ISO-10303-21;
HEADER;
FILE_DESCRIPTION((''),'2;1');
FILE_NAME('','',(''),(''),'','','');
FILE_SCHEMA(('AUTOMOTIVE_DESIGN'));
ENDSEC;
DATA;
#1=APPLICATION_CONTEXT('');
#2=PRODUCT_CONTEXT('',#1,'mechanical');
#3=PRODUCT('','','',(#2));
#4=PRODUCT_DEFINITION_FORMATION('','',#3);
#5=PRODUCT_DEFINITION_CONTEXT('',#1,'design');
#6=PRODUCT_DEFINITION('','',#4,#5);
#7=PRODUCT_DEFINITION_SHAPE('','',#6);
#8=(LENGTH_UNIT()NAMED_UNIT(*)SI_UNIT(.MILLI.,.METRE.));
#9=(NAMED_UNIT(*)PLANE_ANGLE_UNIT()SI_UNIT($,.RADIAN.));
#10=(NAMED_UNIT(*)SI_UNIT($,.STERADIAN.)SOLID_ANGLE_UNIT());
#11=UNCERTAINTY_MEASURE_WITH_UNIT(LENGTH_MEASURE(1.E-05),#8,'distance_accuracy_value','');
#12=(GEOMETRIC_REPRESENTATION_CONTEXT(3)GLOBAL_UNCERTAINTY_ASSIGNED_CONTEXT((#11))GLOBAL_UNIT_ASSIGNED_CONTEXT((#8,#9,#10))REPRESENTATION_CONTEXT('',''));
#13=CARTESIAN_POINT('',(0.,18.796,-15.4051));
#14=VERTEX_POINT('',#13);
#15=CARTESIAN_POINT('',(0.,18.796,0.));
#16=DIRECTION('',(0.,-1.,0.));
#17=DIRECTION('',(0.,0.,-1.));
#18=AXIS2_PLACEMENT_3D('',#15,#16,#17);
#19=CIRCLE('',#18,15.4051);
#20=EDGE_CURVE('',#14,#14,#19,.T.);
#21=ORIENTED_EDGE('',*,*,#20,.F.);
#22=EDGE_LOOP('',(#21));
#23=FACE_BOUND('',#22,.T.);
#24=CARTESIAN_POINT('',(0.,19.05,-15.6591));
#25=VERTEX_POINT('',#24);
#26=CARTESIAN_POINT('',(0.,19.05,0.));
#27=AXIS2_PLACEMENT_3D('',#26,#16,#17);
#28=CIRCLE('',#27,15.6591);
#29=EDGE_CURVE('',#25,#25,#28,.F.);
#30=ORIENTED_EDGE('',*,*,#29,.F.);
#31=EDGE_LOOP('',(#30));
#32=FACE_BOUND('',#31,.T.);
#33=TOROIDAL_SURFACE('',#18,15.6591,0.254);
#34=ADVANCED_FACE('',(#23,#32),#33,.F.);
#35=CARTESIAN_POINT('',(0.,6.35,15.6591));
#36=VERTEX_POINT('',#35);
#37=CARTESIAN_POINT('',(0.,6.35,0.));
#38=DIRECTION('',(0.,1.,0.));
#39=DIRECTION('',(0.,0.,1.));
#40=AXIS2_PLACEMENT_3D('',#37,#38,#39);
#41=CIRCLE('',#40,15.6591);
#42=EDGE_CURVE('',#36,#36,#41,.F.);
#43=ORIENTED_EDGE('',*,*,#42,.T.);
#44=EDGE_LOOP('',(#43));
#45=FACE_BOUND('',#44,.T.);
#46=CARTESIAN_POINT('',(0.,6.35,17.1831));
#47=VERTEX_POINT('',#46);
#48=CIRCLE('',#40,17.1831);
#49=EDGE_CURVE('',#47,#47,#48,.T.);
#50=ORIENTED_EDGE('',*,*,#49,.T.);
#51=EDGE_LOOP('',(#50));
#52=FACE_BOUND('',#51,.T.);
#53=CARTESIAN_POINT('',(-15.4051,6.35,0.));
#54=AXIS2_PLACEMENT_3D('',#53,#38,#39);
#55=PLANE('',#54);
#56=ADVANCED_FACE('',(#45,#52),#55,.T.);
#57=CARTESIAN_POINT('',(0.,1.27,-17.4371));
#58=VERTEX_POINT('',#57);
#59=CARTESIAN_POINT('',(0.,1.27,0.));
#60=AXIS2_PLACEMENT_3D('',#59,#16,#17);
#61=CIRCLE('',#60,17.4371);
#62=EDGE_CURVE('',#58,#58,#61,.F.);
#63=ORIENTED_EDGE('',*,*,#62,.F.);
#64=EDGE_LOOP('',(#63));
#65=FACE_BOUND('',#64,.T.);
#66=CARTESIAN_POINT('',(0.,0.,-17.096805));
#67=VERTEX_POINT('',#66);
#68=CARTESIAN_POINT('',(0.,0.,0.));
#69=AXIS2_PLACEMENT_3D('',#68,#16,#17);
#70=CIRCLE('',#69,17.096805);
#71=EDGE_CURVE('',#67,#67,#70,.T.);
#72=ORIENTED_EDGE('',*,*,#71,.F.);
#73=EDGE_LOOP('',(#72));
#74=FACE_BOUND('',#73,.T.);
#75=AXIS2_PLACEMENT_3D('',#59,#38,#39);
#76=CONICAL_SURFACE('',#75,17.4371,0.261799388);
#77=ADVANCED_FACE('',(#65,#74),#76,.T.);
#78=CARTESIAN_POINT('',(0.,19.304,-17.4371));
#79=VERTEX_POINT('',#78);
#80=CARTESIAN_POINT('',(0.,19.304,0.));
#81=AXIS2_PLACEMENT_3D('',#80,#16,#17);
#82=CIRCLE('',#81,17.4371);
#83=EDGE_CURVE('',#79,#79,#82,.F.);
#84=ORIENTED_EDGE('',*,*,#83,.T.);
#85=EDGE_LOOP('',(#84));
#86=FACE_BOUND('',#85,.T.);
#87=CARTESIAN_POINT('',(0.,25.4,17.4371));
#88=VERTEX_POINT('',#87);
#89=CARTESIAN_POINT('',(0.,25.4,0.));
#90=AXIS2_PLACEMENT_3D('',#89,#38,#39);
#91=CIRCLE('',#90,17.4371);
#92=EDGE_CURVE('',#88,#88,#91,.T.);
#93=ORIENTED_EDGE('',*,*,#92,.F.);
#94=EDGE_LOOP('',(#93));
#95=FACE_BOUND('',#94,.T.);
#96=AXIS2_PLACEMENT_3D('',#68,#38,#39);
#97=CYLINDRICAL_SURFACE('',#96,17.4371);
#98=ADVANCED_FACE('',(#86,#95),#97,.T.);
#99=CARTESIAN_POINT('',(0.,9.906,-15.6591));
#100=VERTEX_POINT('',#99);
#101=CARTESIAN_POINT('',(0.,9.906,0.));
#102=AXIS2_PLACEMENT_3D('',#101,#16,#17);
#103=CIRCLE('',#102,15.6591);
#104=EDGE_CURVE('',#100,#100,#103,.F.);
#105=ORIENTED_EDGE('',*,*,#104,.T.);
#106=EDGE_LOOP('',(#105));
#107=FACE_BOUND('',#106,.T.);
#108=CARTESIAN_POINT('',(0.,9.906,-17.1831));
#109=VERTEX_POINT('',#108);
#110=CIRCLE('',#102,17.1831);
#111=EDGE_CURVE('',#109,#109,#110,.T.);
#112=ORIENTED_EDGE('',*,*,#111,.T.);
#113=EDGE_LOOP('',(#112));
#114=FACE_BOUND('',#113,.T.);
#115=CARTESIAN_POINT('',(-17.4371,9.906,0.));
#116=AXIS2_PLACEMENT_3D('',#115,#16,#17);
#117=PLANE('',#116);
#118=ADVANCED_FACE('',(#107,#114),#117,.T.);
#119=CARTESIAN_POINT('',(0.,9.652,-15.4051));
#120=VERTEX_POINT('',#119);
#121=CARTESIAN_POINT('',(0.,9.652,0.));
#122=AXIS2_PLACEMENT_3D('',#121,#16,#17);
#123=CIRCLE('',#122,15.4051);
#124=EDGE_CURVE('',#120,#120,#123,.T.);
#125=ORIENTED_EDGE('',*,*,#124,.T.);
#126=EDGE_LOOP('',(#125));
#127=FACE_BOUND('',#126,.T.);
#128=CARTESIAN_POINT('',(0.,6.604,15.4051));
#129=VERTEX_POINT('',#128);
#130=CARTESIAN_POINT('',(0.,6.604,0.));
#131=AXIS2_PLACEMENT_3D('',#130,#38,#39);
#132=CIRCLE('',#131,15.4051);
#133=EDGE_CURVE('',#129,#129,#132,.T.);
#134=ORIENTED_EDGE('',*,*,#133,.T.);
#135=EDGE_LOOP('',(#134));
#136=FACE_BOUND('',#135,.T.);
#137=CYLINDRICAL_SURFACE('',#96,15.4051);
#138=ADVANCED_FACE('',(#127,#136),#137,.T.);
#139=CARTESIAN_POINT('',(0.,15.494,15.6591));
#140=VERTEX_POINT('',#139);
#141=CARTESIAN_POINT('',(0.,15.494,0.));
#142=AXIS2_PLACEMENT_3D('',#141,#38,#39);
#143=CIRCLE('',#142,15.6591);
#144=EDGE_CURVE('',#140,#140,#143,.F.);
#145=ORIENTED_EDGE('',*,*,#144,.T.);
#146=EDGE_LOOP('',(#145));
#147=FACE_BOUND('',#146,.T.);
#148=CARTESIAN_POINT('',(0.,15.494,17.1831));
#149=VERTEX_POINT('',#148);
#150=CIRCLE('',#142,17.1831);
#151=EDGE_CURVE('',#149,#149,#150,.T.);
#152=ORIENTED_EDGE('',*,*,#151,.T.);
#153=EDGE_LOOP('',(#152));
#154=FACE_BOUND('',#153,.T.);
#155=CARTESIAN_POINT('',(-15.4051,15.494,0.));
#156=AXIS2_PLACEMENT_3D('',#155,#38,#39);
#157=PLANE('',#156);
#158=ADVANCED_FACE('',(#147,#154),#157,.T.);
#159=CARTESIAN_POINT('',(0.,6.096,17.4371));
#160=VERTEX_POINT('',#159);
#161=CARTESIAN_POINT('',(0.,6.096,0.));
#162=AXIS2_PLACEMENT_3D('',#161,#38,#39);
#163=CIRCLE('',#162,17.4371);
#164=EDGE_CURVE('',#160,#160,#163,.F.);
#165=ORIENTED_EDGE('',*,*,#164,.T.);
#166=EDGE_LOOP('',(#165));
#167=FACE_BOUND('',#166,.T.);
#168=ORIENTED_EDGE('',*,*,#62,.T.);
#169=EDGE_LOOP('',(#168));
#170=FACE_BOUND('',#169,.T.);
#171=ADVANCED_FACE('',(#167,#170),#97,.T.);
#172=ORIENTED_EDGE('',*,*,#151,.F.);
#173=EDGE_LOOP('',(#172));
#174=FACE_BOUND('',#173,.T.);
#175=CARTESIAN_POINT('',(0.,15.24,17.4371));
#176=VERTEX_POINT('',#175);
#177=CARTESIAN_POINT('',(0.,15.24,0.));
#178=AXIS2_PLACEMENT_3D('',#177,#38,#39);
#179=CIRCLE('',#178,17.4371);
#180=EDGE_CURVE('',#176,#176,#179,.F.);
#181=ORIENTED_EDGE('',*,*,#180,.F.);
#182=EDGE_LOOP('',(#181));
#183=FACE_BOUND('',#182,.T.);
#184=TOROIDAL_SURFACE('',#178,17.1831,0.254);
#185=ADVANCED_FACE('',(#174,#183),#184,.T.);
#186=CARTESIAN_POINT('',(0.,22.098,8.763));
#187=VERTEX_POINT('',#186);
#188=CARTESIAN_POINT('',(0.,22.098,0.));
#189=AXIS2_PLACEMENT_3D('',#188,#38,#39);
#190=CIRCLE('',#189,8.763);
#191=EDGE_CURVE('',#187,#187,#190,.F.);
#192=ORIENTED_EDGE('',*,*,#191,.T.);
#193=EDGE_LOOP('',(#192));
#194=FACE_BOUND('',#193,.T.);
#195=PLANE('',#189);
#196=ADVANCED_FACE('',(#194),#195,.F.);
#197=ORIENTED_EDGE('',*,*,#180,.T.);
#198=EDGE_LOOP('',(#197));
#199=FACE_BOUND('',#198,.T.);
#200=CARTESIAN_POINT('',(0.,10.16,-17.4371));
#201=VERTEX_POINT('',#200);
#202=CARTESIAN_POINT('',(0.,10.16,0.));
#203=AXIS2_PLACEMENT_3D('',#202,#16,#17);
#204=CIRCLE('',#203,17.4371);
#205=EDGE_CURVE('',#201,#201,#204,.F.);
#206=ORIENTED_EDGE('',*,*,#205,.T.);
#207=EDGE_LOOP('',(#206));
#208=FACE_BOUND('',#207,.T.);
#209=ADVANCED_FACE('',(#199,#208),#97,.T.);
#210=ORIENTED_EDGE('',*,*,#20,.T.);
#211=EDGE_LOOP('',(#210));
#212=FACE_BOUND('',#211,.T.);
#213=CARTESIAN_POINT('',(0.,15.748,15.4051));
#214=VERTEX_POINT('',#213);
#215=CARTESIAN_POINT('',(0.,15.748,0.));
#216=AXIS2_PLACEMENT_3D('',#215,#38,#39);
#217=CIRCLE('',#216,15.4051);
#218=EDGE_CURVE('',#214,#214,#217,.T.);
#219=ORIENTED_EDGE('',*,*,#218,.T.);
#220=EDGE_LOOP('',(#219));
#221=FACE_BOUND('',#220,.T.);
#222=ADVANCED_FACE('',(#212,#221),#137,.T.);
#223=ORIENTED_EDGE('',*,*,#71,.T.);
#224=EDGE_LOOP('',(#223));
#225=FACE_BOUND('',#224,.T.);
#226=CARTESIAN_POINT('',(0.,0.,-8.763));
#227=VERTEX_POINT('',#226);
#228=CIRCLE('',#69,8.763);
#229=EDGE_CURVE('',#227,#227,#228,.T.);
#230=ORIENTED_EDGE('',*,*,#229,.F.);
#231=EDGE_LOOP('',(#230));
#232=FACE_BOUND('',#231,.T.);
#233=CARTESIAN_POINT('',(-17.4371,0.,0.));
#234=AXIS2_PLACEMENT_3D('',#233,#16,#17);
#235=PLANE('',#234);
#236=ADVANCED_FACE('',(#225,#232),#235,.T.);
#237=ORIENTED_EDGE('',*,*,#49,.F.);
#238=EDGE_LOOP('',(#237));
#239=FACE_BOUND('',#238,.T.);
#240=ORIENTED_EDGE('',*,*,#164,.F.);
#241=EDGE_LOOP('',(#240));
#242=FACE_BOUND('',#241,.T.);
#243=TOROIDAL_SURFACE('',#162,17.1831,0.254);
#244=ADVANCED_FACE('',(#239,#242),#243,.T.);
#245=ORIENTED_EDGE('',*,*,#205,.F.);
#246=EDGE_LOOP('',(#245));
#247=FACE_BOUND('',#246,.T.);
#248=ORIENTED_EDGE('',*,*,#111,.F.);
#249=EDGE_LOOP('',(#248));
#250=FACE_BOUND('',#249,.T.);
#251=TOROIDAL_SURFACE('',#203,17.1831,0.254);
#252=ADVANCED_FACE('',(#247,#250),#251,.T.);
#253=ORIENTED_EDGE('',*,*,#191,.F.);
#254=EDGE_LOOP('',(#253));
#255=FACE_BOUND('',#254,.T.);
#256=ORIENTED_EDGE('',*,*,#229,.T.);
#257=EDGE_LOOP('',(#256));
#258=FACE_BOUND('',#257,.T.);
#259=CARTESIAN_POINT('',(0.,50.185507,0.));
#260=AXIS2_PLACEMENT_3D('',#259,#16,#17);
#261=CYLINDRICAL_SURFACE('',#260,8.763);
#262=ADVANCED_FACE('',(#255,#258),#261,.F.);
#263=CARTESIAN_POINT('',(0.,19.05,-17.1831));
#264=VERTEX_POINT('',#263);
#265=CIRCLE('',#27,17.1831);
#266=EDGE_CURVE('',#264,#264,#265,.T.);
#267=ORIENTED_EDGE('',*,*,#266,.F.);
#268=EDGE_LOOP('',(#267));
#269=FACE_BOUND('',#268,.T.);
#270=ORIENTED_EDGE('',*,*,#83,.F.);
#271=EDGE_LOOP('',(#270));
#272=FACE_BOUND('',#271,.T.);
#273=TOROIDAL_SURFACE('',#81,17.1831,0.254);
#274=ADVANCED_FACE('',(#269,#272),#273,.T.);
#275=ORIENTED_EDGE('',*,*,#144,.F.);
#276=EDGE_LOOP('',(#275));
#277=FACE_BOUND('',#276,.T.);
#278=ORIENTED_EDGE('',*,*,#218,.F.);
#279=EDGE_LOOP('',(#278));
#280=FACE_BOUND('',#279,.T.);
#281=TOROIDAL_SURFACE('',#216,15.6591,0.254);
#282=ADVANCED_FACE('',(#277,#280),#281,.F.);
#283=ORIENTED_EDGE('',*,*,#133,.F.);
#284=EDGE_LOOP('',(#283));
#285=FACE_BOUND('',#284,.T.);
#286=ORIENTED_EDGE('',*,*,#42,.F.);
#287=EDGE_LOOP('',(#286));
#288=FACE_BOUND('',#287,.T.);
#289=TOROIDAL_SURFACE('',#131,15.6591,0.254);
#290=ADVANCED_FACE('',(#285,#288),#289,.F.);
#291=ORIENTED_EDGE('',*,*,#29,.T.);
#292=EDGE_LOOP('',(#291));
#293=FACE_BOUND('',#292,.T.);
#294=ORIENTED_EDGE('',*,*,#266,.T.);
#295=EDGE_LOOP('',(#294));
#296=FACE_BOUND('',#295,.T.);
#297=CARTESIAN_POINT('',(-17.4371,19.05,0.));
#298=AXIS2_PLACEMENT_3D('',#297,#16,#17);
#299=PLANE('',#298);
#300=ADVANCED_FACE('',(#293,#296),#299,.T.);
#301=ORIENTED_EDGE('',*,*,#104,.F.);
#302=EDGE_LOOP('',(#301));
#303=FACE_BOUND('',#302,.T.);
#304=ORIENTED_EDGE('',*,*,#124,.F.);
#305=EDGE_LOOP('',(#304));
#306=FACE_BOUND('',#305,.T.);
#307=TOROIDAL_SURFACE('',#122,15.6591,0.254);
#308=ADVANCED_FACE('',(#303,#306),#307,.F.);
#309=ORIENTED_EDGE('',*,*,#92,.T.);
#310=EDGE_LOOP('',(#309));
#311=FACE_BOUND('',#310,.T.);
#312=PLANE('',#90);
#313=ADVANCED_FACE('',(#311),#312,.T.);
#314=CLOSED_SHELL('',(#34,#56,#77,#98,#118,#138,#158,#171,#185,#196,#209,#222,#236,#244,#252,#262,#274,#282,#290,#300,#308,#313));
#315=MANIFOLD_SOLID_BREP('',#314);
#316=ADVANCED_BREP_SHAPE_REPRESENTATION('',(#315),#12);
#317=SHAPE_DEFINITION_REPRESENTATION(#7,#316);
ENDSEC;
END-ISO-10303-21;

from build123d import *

# Parameters (mm, degrees)
SKETCH3_R          = 8.763
CUT_EXTRUDE1_DEPTH = 22.098
FILLET3_R          = 0.254
CHAMFER1_SIZE      = 1.27
CHAMFER1_SIZE2     = 0.340295474


with BuildPart() as part:
    # Sketch2 → Revolve1 (revolve)
    with BuildSketch(Plane.XY, mode=Mode.PRIVATE) as revolve1_sk:
        Polygon((0, 25.4), (-17.4371, 25.4), (-17.4371, 19.05), (-15.4051, 19.05), (-15.4051, 15.494), (-17.4371, 15.494), (-17.4371, 9.906), (-15.4051, 9.906), (-15.4051, 6.35), (-17.4371, 6.35), (-17.4371, 0), (0, 0), align=None)
    revolve(revolve1_sk.sketch.rotate(Axis((0, 0, 0), (0, -1, 0)), 270), axis=Axis((0, 0, 0), (0, -1, 0)))

    # Sketch3 → Cut-Extrude1 (cut)
    with BuildSketch(Plane.XZ):
        with Locations(Location((0, 0, 0), (0, 0, 270))):
            Circle(SKETCH3_R)
    extrude(amount=-CUT_EXTRUDE1_DEPTH, mode=Mode.SUBTRACT)

    # Fillet3
    fillet3_edges = [part.edges().sort_by_distance(p)[0] for p in [
        (0, 9.906, -15.4051),
        (0, 9.906, -17.4371),
        (0, 15.494, -17.4371),
        (0, 15.494, -15.4051),
        (0, 19.05, -15.4051),
        (0, 19.05, -17.4371),
        (0, 6.35, -17.4371),
        (0, 6.35, -15.4051),
    ]]
    fillet(fillet3_edges, radius=FILLET3_R)

    # Chamfer1
    chamfer1_edges = [part.edges().sort_by_distance(p)[0] for p in [
        (0, 0, -17.4371),
    ]]
    chamfer1_side = [part.faces().sort_by_distance(p)[0] for p in [
        (0, 3.048, -17.4371),
    ]]
    chamfer(chamfer1_edges, length=CHAMFER1_SIZE, length2=CHAMFER1_SIZE2, reference=chamfer1_side[0])


solid = part.part
